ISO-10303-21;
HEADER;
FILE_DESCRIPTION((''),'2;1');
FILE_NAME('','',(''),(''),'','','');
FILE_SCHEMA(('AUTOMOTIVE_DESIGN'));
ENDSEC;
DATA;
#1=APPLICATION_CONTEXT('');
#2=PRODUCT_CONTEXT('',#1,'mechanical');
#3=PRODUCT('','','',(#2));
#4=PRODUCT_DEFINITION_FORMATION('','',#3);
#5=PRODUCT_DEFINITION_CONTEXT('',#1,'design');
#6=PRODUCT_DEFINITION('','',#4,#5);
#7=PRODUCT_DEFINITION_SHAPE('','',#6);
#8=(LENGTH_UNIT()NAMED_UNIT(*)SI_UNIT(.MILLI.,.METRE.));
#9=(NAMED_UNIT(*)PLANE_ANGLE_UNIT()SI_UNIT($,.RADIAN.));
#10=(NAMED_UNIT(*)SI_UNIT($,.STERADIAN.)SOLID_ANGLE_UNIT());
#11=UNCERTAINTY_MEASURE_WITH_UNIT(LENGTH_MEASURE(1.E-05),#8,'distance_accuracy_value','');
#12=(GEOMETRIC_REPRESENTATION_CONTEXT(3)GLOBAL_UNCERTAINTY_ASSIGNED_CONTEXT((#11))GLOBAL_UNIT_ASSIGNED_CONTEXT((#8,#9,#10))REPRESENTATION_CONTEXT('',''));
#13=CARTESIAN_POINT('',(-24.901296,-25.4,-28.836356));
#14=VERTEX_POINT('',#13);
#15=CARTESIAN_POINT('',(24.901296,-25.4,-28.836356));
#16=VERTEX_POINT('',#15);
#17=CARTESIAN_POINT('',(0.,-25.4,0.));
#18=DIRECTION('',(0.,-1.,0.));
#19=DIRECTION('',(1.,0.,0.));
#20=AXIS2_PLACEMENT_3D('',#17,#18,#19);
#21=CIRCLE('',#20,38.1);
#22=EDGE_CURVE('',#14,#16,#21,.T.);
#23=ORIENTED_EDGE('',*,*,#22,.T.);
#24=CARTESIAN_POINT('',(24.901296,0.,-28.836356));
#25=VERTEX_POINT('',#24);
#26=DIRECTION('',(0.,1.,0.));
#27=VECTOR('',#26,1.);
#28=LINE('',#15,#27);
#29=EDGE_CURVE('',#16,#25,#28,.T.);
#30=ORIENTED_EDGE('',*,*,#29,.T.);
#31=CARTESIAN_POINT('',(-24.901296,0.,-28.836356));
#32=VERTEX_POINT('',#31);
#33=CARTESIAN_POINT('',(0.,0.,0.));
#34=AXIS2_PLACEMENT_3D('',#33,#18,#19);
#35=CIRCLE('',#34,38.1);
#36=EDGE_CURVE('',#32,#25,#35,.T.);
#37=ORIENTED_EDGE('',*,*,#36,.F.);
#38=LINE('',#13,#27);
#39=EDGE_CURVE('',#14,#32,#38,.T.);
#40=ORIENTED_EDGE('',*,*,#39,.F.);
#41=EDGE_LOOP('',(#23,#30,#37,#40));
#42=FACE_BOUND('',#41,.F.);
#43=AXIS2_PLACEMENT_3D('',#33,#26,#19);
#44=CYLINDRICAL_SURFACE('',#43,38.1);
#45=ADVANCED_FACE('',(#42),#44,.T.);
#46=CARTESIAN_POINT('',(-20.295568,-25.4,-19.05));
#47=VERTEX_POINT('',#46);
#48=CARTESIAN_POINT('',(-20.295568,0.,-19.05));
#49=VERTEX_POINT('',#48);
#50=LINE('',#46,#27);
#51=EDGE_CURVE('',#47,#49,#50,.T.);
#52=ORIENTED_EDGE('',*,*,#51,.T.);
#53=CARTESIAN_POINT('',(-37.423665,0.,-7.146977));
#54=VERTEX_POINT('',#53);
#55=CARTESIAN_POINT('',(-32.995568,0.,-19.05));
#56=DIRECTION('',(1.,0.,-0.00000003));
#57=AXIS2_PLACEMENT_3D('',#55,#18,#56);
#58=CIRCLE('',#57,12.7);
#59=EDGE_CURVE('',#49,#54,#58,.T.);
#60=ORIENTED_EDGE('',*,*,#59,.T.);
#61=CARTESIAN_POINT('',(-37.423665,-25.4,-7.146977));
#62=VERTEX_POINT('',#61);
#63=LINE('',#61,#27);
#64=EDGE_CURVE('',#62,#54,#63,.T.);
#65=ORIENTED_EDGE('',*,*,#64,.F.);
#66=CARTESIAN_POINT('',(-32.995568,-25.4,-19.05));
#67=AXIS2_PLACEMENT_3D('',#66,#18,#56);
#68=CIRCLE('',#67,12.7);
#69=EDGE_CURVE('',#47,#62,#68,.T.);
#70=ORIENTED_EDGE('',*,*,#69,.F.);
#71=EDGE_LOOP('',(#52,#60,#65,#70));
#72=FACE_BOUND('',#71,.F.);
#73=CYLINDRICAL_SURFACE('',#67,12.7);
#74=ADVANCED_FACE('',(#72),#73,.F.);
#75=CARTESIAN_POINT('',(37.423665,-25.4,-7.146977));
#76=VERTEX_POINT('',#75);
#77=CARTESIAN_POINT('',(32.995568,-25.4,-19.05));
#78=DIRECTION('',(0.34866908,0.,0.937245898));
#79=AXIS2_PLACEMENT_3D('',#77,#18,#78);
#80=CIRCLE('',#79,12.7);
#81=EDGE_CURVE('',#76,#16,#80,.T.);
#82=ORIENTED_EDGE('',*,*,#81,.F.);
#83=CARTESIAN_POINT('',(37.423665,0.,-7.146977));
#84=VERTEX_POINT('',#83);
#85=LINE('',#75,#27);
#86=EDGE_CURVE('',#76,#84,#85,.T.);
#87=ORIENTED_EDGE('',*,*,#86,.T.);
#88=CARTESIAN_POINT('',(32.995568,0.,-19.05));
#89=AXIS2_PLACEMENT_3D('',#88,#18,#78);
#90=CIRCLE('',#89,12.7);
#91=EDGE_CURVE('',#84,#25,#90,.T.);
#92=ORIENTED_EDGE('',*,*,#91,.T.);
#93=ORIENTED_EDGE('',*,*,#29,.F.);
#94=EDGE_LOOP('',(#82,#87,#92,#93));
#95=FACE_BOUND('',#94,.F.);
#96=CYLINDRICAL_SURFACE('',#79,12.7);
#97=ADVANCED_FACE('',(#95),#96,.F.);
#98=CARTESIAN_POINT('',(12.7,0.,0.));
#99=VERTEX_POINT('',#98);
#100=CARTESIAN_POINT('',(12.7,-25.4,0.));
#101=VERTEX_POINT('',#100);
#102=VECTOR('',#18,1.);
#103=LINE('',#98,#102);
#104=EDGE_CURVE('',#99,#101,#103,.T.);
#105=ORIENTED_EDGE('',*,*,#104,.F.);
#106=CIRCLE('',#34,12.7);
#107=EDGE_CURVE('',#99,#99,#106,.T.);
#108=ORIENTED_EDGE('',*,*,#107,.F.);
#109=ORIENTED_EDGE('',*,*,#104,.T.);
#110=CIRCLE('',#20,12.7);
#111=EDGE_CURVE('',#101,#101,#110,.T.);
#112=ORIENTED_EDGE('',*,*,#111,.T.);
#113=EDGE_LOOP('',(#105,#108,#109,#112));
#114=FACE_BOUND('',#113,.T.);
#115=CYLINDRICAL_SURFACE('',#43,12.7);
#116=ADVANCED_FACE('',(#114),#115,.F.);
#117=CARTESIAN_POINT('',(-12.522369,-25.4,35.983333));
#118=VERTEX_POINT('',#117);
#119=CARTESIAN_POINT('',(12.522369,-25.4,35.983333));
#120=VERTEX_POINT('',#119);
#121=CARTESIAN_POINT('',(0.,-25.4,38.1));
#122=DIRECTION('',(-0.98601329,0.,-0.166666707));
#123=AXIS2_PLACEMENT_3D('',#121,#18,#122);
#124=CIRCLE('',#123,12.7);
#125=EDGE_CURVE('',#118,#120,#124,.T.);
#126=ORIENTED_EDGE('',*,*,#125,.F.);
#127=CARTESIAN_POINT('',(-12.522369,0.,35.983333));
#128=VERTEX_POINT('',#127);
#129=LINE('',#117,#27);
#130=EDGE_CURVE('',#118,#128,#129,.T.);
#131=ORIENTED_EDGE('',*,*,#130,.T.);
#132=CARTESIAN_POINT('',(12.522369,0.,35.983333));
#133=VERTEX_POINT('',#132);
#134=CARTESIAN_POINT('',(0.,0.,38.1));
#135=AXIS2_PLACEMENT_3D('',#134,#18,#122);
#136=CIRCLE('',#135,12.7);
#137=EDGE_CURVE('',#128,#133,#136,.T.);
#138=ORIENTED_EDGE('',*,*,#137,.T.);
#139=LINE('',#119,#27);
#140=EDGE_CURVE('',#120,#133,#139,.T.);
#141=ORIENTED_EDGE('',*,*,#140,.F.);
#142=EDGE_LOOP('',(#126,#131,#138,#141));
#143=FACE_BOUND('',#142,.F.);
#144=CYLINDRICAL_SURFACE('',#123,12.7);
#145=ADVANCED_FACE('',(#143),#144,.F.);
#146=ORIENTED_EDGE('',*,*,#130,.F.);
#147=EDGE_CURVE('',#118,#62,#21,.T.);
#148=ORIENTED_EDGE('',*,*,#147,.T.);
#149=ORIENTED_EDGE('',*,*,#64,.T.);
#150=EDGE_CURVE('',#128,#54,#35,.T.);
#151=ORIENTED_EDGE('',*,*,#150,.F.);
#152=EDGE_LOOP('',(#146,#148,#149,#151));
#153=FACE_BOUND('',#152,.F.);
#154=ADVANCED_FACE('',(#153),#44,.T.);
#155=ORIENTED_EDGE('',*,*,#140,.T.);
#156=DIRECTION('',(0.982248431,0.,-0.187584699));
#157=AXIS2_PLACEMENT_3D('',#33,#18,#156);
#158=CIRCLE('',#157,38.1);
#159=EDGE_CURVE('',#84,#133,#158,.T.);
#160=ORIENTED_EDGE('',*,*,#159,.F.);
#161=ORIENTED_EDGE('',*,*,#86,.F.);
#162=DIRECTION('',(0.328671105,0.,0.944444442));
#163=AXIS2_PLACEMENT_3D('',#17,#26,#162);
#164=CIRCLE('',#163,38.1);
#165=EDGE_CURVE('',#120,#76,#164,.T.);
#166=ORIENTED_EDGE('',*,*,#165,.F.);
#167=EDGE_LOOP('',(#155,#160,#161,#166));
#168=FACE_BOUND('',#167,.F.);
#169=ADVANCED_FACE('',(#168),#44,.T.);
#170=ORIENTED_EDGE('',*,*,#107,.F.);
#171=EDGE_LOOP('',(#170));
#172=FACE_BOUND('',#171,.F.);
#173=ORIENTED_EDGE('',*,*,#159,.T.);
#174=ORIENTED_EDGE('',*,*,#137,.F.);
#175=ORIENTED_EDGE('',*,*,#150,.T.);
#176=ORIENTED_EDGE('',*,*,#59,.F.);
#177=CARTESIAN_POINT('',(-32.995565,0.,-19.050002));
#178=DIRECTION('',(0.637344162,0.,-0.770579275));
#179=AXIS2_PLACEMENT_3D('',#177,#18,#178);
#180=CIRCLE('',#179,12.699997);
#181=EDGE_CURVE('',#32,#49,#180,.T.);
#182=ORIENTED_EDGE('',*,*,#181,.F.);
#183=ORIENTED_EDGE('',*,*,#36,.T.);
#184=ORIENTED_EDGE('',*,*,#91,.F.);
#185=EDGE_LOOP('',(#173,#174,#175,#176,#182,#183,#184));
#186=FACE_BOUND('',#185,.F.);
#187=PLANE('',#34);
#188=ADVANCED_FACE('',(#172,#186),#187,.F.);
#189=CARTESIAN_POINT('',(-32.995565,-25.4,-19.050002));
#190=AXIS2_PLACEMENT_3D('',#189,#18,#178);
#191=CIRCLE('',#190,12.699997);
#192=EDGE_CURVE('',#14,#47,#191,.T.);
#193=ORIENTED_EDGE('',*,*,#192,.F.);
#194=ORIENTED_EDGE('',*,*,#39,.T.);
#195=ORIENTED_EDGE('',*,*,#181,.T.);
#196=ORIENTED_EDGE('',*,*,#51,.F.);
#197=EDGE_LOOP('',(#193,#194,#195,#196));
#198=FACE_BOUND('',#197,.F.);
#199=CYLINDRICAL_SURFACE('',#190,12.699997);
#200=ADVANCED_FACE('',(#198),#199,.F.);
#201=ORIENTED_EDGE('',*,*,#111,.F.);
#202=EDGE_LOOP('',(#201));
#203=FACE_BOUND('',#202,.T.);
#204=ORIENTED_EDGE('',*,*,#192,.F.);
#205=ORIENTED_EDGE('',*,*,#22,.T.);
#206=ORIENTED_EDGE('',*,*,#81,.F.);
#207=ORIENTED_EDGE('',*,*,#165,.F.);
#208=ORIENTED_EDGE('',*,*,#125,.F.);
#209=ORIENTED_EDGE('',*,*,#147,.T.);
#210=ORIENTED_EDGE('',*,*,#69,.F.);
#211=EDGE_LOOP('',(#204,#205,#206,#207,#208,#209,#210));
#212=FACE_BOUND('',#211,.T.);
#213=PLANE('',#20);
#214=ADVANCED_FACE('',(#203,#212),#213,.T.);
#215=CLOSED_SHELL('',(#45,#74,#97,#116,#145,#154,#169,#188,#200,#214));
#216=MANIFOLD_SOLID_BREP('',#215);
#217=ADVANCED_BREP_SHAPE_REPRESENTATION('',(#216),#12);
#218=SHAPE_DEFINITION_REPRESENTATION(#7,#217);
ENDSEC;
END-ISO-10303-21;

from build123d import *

# Parameters (mm, degrees)
F0_R     = 38.1
F0_R_2   = 12.7
F1_DEPTH = 25.4
F3_DEPTH = 25.4


with BuildPart() as f1:
    # F0 (on Front) → F1 (new body)
    with BuildSketch(Plane.XZ):
        Circle(F0_R)
        Circle(F0_R_2, mode=Mode.SUBTRACT)
    extrude(amount=F1_DEPTH)

    # F2 (on face) → F3 (cut)
    with BuildSketch(Plane.XZ.offset(25.4)):
        with BuildLine():
            ThreePointArc((12.522369, 35.983333), (12.655514, 37.037946), (12.7, 38.1))
            ThreePointArc((12.7, 38.1), (-1.062054, 50.755514), (-12.522369, 35.983333))
            ThreePointArc((-12.522369, 35.983333), (0, 38.1), (12.522369, 35.983333))
        make_face()
        with BuildLine():
            ThreePointArc((-20.295568, -19.05), (-25.748045, -8.62103), (-37.423665, -7.146977))
            ThreePointArc((-37.423665, -7.146977), (-32.995568, -19.05), (-24.901296, -28.836356))
            ThreePointArc((-24.901296, -28.836356), (-21.504544, -24.457992), (-20.295568, -19.05))
        make_face()
        with BuildLine():
            ThreePointArc((24.901296, -28.836356), (32.995568, -19.05), (37.423665, -7.146977))
            ThreePointArc((37.423665, -7.146977), (21.997045, -12.7), (24.901296, -28.836356))
        make_face()
        with BuildLine():
            ThreePointArc((12.522369, 35.983333), (0, 38.1), (-12.522369, 35.983333))
            ThreePointArc((-12.522369, 35.983333), (0, 25.4), (12.522369, 35.983333))
        make_face()
        with BuildLine():
            ThreePointArc((45.695568, -19.05), (43.424538, -11.802478), (37.423665, -7.146977))
            ThreePointArc((37.423665, -7.146977), (32.995568, -19.05), (24.901296, -28.836356))
            ThreePointArc((24.901296, -28.836356), (38.40356, -30.541024), (45.695568, -19.05))
        make_face()
        with BuildLine():
            ThreePointArc((-24.901296, -28.836356), (-32.995568, -19.05), (-37.423665, -7.146977))
            ThreePointArc((-37.423665, -7.146977), (-43.994091, -25.4), (-24.901296, -28.836356))
        make_face()
    extrude(amount=-F3_DEPTH, mode=Mode.SUBTRACT)


solid = f1.part
